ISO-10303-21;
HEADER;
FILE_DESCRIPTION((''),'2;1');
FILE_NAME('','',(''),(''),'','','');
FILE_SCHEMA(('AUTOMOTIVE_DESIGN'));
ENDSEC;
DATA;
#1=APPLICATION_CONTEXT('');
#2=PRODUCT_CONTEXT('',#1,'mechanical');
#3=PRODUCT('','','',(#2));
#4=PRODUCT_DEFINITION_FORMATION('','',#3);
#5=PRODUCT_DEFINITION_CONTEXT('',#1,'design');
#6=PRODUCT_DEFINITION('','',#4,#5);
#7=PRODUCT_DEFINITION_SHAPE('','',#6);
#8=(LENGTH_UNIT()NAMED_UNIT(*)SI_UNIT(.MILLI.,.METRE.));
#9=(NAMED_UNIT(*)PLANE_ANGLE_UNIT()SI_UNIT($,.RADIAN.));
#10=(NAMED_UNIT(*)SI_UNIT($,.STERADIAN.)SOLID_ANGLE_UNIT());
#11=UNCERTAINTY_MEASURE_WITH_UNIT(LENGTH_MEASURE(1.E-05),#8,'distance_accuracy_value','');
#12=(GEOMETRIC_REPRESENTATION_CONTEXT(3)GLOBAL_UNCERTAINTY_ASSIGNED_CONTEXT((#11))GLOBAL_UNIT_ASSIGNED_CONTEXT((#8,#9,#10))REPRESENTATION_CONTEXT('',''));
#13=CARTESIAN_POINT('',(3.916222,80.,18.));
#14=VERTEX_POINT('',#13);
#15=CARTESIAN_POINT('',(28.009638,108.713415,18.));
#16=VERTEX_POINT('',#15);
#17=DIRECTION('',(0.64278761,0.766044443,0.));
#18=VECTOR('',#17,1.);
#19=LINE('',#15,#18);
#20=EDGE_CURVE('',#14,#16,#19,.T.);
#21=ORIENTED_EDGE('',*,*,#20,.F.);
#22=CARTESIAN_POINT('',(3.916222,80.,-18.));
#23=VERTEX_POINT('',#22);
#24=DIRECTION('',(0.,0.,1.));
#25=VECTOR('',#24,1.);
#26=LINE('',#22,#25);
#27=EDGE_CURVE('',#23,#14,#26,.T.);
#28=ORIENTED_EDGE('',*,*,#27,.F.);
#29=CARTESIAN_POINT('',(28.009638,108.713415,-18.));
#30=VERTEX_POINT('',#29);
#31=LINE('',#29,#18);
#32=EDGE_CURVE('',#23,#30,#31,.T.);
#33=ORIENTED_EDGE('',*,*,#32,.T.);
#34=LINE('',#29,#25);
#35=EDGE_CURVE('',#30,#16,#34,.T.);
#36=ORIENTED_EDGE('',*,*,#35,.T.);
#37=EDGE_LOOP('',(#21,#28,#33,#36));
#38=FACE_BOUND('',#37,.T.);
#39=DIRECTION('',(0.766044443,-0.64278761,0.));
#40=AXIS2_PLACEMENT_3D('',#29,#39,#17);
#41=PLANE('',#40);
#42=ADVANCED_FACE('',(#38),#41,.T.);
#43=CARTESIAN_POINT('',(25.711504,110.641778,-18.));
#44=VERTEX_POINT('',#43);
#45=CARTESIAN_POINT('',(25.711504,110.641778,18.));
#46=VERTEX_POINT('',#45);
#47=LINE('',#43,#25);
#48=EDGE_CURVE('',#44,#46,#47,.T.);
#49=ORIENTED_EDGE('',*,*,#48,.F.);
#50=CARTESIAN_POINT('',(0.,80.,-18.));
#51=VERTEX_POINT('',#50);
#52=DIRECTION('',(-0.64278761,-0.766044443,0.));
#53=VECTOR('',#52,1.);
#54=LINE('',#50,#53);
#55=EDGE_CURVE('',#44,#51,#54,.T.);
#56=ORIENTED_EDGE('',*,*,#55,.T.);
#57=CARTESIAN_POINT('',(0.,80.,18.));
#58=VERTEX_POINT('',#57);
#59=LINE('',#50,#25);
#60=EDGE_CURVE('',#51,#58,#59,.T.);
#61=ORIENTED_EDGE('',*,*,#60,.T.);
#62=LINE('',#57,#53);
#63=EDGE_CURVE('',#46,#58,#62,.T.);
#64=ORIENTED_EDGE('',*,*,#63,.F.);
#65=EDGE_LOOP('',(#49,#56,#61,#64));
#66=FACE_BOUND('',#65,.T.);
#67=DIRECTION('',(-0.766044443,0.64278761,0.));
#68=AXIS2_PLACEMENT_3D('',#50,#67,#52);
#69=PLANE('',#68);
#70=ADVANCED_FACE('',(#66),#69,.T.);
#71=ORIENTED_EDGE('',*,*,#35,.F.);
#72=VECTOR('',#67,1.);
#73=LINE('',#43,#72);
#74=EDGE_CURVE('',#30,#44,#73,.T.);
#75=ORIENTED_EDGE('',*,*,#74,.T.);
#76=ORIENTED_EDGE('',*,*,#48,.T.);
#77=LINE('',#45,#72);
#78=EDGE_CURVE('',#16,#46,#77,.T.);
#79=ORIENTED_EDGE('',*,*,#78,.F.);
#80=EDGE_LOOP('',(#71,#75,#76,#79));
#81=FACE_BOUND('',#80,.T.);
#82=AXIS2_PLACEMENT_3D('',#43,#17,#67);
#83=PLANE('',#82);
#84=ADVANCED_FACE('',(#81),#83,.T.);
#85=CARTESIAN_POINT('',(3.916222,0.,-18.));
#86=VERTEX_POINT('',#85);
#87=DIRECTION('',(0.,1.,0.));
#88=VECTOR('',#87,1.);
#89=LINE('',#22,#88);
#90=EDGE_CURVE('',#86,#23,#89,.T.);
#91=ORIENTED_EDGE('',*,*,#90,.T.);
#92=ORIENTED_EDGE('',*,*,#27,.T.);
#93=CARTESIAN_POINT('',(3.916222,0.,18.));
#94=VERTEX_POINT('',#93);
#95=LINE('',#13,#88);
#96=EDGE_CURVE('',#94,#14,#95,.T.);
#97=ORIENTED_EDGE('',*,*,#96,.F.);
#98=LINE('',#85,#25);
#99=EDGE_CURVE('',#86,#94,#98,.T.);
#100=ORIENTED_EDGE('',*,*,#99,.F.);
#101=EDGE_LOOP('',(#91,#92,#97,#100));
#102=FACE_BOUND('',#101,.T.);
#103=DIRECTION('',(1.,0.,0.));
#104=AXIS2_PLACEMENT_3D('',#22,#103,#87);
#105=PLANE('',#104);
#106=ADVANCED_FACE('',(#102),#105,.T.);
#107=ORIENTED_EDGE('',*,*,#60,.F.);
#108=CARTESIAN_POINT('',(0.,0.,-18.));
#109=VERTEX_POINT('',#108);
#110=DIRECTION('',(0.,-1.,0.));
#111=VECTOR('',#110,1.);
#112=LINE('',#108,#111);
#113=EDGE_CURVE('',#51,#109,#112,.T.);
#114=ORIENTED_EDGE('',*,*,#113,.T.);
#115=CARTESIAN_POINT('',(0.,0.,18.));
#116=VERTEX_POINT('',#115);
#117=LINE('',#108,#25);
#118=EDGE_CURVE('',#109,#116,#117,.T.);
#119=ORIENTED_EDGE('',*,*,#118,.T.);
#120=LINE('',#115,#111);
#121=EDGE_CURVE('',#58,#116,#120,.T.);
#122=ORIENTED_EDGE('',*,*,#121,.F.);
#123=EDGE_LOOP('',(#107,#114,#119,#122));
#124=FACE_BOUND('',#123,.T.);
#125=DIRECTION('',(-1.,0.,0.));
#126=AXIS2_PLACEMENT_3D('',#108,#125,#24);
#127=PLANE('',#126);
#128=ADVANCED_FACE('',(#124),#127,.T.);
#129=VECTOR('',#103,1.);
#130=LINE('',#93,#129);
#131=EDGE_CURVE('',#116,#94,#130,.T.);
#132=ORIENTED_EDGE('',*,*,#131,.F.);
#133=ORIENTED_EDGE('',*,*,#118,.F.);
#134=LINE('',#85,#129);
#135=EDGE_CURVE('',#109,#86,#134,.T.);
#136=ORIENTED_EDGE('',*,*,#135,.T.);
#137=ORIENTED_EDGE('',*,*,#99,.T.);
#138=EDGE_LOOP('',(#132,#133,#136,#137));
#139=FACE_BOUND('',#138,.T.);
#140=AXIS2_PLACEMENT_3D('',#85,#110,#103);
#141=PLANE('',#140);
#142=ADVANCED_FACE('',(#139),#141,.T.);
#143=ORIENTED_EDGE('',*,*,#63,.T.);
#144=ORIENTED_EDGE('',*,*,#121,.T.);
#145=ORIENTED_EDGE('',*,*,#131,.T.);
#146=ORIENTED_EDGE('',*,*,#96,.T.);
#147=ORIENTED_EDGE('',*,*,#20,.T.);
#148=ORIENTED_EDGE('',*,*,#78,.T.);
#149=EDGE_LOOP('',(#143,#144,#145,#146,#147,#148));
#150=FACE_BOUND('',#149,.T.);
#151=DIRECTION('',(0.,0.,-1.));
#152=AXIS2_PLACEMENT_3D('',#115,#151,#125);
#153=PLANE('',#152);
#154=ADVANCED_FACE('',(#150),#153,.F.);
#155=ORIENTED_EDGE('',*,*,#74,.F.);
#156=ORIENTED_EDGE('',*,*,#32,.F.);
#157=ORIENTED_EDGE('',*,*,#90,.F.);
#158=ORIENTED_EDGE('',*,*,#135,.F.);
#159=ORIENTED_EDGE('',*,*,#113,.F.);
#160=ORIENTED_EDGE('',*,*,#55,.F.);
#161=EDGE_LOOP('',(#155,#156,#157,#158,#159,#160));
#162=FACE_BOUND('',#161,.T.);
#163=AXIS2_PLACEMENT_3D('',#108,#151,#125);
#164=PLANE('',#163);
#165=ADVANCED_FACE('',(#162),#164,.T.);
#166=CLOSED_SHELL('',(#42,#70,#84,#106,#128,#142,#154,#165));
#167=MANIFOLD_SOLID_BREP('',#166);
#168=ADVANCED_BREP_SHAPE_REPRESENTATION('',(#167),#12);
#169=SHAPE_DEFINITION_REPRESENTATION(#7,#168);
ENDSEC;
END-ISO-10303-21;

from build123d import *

# Parameters (mm, degrees)
BOSS_EXTRU_1_DEPTH      = 18
BOSS_EXTRU_1_DEPTH_BACK = 18


with BuildPart() as part:
    # Esquisse1 → Boss.-Extru.1 (new, two sides: drawn at the far end of the back side and taken through both)
    with BuildSketch(Plane.XY.offset(-BOSS_EXTRU_1_DEPTH_BACK)):
        Polygon((0, 0), (0, 80), (25.711504387, 110.641777725), (28.009637717, 108.713414896), (3.916221868, 80), (3.916221868, 0), align=None)
    extrude(amount=BOSS_EXTRU_1_DEPTH + BOSS_EXTRU_1_DEPTH_BACK)


solid = part.part
